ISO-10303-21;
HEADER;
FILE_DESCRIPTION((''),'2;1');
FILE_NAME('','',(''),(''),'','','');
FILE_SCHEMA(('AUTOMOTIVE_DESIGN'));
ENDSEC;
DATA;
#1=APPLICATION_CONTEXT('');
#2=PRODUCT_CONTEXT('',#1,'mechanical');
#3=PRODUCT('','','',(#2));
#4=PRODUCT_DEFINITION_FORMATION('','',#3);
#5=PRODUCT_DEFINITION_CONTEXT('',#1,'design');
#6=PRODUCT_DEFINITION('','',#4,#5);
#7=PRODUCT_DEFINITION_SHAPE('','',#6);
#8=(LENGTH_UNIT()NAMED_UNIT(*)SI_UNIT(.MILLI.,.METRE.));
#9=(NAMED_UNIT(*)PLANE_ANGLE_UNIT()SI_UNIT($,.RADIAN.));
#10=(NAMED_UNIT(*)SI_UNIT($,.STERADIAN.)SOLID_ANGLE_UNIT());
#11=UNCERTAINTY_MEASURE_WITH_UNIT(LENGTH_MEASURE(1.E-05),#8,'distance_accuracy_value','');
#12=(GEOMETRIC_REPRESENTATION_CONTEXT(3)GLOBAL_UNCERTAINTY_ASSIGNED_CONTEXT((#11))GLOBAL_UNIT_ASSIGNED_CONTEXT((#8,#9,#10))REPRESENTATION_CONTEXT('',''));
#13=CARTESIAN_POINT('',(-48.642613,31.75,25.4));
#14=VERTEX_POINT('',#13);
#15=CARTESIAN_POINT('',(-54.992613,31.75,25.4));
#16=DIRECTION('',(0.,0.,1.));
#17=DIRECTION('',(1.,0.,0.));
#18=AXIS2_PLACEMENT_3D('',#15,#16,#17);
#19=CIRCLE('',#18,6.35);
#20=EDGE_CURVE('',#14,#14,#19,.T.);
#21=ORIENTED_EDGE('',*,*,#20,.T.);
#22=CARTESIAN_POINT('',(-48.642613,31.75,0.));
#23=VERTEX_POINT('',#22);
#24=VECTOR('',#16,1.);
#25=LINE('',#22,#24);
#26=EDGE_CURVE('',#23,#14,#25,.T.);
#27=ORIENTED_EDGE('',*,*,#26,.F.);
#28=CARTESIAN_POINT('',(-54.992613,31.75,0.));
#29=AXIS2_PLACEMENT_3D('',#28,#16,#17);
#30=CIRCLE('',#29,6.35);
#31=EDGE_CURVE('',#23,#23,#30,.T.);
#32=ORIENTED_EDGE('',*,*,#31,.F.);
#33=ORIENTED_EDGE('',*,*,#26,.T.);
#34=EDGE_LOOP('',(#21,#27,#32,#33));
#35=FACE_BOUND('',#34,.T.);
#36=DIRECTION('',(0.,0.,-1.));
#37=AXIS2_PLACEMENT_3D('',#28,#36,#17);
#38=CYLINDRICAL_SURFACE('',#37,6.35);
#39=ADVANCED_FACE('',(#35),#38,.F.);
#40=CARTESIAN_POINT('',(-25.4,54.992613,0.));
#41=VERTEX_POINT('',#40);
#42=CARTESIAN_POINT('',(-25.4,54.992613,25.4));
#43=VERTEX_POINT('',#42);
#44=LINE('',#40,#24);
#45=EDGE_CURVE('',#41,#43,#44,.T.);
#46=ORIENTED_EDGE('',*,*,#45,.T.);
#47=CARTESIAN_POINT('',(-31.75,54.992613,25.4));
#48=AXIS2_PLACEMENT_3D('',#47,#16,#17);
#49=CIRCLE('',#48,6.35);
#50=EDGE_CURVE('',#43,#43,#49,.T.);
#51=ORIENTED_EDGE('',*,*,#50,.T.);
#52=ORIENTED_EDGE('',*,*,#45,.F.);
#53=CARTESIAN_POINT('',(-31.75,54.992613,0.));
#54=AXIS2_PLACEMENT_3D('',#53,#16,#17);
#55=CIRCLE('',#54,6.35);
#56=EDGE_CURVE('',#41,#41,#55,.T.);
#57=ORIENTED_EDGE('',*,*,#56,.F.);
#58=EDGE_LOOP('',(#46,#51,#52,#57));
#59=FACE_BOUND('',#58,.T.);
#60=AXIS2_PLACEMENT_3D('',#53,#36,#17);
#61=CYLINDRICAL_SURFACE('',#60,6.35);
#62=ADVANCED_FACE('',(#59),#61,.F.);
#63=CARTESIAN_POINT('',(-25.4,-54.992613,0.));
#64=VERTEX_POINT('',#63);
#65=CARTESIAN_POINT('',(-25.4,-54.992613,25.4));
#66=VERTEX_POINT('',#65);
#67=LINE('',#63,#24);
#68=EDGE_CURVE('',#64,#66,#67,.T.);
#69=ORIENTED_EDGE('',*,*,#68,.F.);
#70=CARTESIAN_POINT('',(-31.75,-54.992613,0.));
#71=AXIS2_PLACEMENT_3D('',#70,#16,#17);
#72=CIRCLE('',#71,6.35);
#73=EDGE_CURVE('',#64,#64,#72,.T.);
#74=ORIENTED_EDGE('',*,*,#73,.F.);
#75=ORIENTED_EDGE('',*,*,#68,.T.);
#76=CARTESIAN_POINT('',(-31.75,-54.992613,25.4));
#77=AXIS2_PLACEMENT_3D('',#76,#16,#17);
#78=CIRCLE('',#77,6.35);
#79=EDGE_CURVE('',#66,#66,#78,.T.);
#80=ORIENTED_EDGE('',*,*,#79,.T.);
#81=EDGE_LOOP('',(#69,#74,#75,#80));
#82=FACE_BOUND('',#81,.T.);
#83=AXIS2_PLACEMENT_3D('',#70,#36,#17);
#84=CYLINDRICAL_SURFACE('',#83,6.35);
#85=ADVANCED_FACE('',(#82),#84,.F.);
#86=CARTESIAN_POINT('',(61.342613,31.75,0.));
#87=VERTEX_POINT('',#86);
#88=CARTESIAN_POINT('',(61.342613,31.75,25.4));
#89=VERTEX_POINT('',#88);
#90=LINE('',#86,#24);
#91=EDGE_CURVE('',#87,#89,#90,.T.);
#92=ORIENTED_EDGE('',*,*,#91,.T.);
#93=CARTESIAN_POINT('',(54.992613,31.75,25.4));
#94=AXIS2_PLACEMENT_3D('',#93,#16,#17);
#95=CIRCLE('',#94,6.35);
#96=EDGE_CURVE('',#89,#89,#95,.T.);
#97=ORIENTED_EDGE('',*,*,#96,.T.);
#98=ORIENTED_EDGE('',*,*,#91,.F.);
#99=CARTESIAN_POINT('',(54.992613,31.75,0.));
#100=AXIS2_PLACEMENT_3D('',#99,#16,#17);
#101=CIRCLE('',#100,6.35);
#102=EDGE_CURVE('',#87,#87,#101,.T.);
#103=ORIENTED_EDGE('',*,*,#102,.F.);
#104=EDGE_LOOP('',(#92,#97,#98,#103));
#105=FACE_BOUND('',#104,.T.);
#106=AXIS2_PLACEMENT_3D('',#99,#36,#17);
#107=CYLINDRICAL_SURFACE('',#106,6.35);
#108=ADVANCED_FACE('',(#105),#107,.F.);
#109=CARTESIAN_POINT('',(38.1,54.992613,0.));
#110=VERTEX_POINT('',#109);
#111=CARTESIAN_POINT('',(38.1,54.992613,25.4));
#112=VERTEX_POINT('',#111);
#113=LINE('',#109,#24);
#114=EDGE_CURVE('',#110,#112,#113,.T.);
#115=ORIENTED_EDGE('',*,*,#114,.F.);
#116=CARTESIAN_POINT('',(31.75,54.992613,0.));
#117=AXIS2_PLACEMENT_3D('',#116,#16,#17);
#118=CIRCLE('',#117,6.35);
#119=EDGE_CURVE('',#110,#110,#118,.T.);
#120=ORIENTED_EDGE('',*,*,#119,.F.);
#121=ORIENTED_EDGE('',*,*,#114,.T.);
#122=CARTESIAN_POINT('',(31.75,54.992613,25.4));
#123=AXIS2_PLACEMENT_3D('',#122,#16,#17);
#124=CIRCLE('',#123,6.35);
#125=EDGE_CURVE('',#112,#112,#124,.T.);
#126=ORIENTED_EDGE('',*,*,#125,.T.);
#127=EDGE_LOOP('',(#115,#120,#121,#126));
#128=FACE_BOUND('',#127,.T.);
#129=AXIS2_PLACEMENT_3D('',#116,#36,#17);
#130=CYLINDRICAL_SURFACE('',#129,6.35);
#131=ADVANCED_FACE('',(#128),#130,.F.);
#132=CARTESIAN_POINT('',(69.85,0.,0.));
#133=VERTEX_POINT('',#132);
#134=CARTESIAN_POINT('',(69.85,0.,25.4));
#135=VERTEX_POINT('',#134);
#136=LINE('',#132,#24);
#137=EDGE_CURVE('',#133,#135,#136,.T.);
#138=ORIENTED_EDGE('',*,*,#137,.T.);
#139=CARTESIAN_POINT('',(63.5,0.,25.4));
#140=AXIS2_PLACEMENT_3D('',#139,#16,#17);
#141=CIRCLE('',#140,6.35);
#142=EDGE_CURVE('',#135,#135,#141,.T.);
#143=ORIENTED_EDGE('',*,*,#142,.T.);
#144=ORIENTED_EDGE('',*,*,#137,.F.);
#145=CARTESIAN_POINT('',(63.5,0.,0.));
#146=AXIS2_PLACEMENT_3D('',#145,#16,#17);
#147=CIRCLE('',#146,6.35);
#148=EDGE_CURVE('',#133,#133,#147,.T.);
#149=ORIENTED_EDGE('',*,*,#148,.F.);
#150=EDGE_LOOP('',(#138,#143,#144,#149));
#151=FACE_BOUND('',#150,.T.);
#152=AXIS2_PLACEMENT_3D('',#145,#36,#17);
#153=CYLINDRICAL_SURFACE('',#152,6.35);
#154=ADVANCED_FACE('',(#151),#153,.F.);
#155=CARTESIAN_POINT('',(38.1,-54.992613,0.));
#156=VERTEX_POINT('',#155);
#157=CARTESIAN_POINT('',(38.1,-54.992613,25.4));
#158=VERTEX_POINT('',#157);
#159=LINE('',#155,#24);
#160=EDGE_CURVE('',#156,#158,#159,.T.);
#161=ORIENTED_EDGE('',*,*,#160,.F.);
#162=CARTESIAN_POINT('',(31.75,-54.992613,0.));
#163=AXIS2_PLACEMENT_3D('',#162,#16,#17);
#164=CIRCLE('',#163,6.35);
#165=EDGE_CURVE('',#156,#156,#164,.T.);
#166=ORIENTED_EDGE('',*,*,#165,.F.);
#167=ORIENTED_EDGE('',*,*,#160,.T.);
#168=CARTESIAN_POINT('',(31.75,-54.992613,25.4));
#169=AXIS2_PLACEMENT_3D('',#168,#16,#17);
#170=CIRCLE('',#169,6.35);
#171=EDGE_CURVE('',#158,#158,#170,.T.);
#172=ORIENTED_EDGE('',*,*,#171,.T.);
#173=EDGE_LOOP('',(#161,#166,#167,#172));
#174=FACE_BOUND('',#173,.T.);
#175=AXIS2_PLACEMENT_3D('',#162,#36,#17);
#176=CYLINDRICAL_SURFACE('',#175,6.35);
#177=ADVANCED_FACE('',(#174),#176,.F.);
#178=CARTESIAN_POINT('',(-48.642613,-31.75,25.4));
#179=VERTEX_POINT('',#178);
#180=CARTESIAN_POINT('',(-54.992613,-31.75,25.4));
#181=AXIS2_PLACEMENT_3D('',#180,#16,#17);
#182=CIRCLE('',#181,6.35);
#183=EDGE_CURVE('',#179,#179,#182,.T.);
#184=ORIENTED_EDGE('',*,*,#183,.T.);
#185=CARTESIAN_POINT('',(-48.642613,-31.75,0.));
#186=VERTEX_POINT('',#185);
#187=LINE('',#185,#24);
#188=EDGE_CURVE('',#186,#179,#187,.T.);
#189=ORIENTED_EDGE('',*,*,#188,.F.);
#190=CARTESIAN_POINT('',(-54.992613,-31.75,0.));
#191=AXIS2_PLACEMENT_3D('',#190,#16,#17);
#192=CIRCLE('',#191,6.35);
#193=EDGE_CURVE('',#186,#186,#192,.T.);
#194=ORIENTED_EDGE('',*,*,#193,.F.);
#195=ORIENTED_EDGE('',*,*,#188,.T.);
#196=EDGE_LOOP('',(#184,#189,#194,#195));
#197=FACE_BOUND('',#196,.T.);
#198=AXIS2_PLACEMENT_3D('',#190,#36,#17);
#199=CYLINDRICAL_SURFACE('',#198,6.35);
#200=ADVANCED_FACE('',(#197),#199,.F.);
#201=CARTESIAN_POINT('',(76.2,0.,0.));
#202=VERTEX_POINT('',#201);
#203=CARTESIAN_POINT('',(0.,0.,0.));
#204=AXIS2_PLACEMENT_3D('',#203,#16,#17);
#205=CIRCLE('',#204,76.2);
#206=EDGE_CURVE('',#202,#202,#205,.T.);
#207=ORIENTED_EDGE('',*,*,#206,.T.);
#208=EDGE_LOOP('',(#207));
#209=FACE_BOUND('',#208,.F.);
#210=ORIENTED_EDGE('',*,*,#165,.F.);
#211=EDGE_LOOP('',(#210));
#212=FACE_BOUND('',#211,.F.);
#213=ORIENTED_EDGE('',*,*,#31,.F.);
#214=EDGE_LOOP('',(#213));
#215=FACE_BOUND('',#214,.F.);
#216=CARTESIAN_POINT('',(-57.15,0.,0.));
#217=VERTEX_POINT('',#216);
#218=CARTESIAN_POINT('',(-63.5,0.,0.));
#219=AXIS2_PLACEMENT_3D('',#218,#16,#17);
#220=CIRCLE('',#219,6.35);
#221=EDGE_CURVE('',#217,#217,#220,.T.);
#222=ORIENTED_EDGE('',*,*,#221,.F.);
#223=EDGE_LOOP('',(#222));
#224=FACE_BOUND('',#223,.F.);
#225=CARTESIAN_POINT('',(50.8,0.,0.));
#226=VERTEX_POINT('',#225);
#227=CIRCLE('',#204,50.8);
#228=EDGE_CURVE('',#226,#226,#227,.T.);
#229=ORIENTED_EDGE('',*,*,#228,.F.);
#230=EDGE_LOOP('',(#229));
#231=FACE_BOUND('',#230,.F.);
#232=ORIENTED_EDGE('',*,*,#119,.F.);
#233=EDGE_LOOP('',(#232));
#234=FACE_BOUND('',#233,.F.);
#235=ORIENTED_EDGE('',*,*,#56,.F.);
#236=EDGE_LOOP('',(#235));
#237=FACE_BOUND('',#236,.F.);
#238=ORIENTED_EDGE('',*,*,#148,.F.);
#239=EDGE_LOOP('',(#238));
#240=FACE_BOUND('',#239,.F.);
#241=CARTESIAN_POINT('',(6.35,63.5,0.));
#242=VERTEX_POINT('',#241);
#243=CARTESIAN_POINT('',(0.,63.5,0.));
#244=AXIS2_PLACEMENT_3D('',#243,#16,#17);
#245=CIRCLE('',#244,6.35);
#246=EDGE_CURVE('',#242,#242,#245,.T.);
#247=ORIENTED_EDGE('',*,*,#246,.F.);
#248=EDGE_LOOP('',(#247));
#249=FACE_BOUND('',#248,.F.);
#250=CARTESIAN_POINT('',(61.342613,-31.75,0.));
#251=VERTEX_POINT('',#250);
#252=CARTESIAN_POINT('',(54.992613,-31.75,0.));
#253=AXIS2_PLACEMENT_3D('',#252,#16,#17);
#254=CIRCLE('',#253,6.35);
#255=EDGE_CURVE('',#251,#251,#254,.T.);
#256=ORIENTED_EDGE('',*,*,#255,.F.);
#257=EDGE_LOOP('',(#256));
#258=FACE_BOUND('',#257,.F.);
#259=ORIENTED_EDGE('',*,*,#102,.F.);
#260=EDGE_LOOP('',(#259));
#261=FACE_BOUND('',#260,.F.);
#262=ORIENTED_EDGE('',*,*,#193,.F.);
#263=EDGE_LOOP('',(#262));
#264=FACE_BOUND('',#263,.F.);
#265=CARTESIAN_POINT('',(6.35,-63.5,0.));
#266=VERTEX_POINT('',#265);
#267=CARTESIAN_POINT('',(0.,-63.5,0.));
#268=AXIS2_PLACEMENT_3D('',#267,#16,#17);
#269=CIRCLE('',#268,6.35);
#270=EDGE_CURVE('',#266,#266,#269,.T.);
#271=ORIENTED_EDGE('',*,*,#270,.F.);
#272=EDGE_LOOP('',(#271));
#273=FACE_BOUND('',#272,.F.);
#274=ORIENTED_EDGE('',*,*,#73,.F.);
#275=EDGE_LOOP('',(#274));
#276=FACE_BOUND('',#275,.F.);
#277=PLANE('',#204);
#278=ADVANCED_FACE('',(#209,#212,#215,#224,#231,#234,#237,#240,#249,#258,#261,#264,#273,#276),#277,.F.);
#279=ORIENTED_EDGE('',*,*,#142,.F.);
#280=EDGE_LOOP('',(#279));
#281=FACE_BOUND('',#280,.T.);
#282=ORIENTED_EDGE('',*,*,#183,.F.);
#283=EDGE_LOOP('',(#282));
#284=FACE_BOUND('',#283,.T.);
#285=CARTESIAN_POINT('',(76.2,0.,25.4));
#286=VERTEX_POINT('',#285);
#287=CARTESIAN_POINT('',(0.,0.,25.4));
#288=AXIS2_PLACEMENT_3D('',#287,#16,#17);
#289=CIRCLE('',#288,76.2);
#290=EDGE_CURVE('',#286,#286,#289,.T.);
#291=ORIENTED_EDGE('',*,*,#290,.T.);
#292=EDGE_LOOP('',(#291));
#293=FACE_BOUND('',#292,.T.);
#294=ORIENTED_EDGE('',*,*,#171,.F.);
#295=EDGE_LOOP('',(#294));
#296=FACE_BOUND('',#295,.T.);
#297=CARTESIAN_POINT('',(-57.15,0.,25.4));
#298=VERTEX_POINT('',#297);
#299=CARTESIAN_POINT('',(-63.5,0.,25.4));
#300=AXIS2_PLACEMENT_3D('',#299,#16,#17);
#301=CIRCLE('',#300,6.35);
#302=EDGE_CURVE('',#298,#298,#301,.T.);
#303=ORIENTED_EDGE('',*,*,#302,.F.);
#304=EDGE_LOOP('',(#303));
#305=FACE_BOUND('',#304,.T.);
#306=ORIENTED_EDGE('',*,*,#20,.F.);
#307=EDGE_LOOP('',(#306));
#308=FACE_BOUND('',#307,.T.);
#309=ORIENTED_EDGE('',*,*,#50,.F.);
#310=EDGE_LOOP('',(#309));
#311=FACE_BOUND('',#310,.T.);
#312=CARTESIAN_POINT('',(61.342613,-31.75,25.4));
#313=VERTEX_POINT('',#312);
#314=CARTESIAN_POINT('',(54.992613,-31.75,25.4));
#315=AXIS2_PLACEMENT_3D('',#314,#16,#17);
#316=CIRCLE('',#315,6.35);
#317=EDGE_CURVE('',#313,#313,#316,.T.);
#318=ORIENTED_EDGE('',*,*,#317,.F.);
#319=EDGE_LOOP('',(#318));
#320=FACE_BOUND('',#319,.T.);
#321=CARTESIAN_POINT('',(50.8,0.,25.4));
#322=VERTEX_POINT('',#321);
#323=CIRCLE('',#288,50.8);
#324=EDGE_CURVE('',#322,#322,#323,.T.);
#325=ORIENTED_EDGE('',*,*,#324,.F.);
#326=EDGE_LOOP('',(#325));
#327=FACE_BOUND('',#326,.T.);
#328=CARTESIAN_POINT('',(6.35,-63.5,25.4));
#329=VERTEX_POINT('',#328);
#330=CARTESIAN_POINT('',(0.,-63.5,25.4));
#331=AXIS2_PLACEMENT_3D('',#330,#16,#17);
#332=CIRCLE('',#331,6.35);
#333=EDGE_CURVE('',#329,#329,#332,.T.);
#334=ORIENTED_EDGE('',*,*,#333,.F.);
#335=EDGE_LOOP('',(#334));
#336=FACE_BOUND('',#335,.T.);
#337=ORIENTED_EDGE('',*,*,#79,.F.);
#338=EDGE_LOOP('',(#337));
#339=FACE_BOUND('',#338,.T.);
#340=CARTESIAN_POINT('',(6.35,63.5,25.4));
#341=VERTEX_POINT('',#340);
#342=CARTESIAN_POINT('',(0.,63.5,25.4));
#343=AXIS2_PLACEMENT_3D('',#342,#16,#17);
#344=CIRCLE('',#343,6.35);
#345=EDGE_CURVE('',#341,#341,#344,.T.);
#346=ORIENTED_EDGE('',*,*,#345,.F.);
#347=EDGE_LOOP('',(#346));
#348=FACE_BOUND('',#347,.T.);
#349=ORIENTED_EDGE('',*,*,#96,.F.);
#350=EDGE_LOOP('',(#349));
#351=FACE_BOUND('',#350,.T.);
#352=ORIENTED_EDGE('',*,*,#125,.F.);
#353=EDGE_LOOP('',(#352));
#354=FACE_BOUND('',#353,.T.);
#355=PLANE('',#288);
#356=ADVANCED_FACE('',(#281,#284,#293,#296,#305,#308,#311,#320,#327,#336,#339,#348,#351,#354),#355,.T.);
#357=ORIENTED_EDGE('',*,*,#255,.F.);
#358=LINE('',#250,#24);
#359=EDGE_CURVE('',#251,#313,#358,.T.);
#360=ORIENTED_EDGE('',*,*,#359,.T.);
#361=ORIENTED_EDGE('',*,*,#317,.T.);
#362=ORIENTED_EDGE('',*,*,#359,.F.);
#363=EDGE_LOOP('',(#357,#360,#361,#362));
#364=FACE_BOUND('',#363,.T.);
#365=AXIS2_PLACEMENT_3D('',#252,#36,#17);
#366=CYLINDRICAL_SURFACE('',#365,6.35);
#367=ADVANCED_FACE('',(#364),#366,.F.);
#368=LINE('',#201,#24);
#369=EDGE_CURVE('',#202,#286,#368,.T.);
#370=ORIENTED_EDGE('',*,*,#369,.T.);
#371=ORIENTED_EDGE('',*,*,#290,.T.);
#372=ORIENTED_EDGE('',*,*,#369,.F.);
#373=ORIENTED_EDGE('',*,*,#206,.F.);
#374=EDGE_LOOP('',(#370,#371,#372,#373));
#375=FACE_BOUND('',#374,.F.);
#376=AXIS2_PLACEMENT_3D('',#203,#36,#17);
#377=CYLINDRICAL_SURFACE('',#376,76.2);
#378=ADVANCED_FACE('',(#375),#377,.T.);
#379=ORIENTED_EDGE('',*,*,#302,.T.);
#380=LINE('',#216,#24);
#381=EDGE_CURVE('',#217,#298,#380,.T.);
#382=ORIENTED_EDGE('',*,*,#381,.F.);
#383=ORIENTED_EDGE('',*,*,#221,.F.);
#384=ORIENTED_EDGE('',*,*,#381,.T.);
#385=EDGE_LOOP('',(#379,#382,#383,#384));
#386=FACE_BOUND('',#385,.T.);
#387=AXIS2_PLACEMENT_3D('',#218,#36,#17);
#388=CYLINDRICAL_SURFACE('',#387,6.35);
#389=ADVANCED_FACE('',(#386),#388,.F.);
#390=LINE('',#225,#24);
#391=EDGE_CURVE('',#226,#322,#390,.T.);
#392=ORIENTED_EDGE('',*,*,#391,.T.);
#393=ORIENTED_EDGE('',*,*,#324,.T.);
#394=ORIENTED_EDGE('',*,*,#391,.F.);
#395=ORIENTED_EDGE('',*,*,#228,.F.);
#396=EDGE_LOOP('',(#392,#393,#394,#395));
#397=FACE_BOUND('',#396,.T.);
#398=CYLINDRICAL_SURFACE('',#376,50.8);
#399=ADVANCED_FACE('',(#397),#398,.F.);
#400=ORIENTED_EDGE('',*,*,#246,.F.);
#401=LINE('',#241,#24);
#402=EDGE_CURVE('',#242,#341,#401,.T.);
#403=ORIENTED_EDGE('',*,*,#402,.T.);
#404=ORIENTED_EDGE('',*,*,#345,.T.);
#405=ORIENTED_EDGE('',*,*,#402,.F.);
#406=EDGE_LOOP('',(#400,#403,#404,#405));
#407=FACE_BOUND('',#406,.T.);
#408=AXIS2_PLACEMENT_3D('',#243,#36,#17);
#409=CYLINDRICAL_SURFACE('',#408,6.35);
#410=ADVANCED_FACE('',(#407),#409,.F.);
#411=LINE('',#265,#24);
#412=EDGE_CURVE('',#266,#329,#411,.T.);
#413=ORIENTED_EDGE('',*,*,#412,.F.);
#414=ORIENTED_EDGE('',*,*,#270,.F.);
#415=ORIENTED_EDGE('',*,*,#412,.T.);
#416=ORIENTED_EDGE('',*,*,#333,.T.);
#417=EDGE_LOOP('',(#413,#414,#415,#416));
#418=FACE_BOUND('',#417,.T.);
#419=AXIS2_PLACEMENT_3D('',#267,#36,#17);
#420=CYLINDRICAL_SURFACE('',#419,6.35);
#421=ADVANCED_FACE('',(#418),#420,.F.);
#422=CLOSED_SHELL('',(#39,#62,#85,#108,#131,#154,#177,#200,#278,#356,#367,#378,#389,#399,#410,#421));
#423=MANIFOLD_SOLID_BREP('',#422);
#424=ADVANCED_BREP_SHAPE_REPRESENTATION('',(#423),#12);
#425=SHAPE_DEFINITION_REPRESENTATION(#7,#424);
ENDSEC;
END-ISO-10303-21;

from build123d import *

# Parameters (mm, degrees)
F0_R     = 76.2
F0_R_2   = 6.35
F0_R_3   = 50.8
F1_DEPTH = 25.4


with BuildPart() as f1:
    # F0 (on Top) → F1 (new body)
    with BuildSketch(Plane.XY):
        Circle(F0_R)
        with Locations((-31.75, -54.992613)):
            Circle(F0_R_2, mode=Mode.SUBTRACT)
        with Locations((-54.992613, -31.75)):
            Circle(F0_R_2, mode=Mode.SUBTRACT)
        with Locations((-63.5, 0)):
            Circle(F0_R_2, mode=Mode.SUBTRACT)
        with Locations((0, -63.5)):
            Circle(F0_R_2, mode=Mode.SUBTRACT)
        with Locations((31.75, -54.992613)):
            Circle(F0_R_2, mode=Mode.SUBTRACT)
        with Locations((54.992613, -31.75)):
            Circle(F0_R_2, mode=Mode.SUBTRACT)
        with Locations((-54.992613, 31.75)):
            Circle(F0_R_2, mode=Mode.SUBTRACT)
        with Locations((-31.75, 54.992613)):
            Circle(F0_R_2, mode=Mode.SUBTRACT)
        Circle(F0_R_3, mode=Mode.SUBTRACT)
        with Locations((63.5, 0)):
            Circle(F0_R_2, mode=Mode.SUBTRACT)
        with Locations((54.992613, 31.75)):
            Circle(F0_R_2, mode=Mode.SUBTRACT)
        with Locations((31.75, 54.992613)):
            Circle(F0_R_2, mode=Mode.SUBTRACT)
        with Locations((0, 63.5)):
            Circle(F0_R_2, mode=Mode.SUBTRACT)
    extrude(amount=F1_DEPTH)


solid = f1.part
